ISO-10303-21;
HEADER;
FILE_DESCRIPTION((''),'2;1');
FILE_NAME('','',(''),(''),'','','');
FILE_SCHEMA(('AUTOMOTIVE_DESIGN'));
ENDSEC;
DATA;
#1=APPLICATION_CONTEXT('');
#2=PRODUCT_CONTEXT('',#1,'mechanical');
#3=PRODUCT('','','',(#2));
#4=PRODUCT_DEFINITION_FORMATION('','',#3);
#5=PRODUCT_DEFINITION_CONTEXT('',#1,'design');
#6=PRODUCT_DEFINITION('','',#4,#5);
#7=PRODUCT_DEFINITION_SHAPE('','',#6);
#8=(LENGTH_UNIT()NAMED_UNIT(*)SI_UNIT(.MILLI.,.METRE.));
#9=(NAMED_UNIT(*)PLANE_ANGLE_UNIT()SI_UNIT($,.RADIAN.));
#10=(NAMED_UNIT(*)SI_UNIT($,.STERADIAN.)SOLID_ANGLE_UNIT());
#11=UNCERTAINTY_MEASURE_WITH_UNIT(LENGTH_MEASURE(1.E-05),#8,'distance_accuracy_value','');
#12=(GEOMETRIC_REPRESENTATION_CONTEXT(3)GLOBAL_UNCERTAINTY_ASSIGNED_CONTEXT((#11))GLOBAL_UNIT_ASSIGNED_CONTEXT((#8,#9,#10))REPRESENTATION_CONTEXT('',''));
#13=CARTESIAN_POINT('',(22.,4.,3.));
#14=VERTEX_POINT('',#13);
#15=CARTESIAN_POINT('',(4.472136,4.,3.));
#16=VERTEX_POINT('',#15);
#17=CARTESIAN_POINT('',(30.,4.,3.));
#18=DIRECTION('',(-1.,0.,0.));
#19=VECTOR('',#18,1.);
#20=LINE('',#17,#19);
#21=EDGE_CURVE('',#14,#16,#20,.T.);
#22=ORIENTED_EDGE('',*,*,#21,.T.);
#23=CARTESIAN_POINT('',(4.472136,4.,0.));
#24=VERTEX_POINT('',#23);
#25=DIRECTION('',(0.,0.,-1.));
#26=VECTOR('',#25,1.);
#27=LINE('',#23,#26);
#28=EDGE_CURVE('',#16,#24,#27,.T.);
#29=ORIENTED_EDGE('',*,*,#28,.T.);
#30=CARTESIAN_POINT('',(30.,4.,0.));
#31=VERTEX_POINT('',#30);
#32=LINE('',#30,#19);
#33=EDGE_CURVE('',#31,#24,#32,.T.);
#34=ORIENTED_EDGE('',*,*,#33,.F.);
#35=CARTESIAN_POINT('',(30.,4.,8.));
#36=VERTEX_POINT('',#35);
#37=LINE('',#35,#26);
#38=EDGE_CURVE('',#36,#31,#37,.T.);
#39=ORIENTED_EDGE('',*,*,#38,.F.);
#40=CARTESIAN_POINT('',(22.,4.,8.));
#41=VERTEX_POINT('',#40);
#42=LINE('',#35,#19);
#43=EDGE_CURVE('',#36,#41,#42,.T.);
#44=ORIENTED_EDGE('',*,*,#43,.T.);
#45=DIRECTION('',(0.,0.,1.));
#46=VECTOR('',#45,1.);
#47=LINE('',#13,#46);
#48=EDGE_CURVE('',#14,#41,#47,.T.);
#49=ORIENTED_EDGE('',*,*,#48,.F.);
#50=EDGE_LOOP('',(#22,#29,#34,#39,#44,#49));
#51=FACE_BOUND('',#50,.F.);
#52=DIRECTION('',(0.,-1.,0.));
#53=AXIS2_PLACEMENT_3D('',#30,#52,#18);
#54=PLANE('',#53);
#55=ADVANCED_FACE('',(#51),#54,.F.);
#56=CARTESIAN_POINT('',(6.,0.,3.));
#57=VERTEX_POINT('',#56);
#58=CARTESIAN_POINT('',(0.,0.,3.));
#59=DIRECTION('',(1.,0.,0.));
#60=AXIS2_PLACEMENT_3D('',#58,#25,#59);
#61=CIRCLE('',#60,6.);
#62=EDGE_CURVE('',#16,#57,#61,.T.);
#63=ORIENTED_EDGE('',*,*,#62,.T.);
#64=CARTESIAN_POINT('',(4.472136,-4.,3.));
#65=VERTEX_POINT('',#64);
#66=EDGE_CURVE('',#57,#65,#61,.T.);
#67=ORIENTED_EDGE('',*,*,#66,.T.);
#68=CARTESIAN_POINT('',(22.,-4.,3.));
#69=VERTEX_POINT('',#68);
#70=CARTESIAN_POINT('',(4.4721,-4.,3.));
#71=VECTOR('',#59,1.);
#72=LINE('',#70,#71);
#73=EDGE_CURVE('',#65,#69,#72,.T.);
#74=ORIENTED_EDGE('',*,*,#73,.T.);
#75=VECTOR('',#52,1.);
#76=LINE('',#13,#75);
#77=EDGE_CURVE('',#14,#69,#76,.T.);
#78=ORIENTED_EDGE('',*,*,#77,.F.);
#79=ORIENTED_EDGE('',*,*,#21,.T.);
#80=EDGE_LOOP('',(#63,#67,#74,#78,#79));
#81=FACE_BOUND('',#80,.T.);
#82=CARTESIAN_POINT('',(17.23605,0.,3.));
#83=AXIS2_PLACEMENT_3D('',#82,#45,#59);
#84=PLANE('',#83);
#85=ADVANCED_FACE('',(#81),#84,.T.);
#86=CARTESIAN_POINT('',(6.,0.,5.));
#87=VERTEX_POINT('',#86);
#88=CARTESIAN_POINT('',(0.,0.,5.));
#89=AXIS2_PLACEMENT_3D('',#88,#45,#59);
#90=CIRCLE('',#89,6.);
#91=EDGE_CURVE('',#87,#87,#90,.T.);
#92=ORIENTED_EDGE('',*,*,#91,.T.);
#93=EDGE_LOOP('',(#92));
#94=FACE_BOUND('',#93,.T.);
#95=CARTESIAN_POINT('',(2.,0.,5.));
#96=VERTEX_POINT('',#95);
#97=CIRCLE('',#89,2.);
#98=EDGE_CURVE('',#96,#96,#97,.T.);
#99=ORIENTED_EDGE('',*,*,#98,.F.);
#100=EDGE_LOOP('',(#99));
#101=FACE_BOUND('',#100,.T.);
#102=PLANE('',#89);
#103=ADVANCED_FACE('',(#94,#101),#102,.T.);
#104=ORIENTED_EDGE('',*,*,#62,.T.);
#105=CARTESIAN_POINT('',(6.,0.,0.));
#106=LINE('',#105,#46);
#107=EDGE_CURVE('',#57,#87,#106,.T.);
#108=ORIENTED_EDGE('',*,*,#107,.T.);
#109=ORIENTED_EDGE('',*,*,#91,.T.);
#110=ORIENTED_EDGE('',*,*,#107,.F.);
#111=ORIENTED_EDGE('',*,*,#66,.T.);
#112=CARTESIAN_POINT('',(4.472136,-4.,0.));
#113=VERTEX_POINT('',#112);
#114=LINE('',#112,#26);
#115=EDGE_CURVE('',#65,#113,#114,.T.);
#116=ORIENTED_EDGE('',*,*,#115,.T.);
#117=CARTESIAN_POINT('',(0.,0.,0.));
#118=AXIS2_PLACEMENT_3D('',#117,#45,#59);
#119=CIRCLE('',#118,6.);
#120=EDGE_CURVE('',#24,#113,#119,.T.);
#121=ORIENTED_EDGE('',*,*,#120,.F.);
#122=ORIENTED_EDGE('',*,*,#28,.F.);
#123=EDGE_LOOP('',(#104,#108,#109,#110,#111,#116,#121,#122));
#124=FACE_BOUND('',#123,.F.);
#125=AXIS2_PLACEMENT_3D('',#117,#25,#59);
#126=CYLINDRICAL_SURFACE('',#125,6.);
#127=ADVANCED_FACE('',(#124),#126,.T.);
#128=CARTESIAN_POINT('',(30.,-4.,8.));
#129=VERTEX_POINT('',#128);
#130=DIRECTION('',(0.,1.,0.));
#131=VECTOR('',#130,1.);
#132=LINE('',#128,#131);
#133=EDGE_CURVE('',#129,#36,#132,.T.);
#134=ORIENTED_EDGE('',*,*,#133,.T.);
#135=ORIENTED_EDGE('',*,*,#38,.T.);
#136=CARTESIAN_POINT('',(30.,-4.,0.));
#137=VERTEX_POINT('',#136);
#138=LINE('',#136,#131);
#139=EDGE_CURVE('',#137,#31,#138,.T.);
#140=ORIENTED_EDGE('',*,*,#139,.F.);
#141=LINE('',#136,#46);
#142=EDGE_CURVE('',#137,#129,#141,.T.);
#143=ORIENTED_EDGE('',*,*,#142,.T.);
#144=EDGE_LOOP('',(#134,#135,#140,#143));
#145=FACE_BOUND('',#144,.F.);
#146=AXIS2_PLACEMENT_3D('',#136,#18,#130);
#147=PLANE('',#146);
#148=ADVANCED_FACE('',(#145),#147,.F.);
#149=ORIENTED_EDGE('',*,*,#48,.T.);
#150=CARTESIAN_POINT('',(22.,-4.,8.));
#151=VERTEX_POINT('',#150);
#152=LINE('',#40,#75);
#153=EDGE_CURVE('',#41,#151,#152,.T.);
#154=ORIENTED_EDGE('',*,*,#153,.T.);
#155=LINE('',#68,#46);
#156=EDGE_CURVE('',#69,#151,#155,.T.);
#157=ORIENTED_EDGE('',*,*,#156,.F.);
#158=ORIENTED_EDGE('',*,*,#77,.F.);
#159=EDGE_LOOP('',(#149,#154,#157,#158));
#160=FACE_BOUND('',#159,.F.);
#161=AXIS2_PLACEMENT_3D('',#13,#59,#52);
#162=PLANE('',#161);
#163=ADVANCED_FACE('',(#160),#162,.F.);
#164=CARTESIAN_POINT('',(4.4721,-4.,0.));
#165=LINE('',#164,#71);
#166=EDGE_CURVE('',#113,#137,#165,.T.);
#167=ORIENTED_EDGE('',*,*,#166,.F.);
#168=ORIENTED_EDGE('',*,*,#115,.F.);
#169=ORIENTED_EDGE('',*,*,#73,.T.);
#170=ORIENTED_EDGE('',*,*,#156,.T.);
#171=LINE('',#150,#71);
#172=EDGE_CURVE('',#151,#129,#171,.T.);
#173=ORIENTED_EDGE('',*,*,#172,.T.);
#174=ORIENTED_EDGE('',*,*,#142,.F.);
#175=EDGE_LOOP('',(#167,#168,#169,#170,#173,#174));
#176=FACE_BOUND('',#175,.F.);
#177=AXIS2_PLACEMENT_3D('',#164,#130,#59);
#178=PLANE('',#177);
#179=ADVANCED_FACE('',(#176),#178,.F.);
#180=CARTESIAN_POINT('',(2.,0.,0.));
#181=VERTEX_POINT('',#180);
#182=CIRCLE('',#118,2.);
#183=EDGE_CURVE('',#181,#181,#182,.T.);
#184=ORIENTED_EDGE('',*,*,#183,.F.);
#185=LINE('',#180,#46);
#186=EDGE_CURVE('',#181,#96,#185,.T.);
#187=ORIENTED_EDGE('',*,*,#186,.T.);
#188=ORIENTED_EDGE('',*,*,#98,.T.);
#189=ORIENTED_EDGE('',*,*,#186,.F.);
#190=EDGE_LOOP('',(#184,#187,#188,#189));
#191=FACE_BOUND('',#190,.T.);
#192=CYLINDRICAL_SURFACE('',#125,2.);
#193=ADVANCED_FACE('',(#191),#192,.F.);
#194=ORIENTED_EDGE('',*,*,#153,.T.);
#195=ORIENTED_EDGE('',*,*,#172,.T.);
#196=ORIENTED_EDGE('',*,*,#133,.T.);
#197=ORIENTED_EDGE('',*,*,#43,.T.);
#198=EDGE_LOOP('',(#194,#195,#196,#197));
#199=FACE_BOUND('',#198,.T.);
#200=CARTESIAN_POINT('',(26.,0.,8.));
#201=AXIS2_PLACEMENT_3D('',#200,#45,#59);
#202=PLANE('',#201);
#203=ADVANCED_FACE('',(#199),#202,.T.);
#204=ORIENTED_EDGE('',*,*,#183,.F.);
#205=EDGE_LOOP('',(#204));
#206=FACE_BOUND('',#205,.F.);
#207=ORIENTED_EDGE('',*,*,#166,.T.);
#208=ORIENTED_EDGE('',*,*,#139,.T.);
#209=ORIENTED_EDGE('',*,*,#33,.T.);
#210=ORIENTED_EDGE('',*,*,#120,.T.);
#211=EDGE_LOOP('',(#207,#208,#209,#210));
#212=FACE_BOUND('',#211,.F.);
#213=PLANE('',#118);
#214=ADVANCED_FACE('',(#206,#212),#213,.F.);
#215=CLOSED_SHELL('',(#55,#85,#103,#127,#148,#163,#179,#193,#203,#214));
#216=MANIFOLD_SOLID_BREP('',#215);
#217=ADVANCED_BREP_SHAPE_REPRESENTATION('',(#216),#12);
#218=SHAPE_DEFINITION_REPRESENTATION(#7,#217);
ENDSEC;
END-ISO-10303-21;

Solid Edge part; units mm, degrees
sketch "Sketch1" plane through (0, 0, 0) normal (0, 0, 1) x (1, 0, 0)
  circle A0 centre (0, 0) radius 6
  circle A1 centre (0, 0) radius 2
  dimension "D1" = 4
  dimension "D2" = 12
extrude "Protrusion1" add sketch "Sketch1" along normal blind 5
sketch "Sketch2" plane through (0, 0, 0) normal (0, 0, -1) x (0, 1, 0)
  line L0 (4, 4.4721) -> (-4, 4.4721)
  line L1 (-4, 4.4721) -> (-4, 30)
  line L2 (-4, 30) -> (4, 30)
  line L3 (4, 30) -> (4, 4.4721)
  dimension "D1" = 8
  dimension "D2" = 30
extrude "ExtrudedProtrusion_2" add sketch "Sketch2" against normal blind 3
sketch "Sketch3" plane through (14.7361, 0, 3) normal (0, 0, 1) x (1, 0, 0)
  line L0 (15.2639, 4) -> (7.2639, 4)
  line L1 (7.2639, 4) -> (7.2639, -4)
  line L2 (7.2639, -4) -> (15.2639, -4)
  line L3 (15.2639, -4) -> (15.2639, 4)
  dimension "D1" = 8
extrude "ExtrudedProtrusion_3" add sketch "Sketch3" along normal blind 5
properties material "Polyethylene, low density"
